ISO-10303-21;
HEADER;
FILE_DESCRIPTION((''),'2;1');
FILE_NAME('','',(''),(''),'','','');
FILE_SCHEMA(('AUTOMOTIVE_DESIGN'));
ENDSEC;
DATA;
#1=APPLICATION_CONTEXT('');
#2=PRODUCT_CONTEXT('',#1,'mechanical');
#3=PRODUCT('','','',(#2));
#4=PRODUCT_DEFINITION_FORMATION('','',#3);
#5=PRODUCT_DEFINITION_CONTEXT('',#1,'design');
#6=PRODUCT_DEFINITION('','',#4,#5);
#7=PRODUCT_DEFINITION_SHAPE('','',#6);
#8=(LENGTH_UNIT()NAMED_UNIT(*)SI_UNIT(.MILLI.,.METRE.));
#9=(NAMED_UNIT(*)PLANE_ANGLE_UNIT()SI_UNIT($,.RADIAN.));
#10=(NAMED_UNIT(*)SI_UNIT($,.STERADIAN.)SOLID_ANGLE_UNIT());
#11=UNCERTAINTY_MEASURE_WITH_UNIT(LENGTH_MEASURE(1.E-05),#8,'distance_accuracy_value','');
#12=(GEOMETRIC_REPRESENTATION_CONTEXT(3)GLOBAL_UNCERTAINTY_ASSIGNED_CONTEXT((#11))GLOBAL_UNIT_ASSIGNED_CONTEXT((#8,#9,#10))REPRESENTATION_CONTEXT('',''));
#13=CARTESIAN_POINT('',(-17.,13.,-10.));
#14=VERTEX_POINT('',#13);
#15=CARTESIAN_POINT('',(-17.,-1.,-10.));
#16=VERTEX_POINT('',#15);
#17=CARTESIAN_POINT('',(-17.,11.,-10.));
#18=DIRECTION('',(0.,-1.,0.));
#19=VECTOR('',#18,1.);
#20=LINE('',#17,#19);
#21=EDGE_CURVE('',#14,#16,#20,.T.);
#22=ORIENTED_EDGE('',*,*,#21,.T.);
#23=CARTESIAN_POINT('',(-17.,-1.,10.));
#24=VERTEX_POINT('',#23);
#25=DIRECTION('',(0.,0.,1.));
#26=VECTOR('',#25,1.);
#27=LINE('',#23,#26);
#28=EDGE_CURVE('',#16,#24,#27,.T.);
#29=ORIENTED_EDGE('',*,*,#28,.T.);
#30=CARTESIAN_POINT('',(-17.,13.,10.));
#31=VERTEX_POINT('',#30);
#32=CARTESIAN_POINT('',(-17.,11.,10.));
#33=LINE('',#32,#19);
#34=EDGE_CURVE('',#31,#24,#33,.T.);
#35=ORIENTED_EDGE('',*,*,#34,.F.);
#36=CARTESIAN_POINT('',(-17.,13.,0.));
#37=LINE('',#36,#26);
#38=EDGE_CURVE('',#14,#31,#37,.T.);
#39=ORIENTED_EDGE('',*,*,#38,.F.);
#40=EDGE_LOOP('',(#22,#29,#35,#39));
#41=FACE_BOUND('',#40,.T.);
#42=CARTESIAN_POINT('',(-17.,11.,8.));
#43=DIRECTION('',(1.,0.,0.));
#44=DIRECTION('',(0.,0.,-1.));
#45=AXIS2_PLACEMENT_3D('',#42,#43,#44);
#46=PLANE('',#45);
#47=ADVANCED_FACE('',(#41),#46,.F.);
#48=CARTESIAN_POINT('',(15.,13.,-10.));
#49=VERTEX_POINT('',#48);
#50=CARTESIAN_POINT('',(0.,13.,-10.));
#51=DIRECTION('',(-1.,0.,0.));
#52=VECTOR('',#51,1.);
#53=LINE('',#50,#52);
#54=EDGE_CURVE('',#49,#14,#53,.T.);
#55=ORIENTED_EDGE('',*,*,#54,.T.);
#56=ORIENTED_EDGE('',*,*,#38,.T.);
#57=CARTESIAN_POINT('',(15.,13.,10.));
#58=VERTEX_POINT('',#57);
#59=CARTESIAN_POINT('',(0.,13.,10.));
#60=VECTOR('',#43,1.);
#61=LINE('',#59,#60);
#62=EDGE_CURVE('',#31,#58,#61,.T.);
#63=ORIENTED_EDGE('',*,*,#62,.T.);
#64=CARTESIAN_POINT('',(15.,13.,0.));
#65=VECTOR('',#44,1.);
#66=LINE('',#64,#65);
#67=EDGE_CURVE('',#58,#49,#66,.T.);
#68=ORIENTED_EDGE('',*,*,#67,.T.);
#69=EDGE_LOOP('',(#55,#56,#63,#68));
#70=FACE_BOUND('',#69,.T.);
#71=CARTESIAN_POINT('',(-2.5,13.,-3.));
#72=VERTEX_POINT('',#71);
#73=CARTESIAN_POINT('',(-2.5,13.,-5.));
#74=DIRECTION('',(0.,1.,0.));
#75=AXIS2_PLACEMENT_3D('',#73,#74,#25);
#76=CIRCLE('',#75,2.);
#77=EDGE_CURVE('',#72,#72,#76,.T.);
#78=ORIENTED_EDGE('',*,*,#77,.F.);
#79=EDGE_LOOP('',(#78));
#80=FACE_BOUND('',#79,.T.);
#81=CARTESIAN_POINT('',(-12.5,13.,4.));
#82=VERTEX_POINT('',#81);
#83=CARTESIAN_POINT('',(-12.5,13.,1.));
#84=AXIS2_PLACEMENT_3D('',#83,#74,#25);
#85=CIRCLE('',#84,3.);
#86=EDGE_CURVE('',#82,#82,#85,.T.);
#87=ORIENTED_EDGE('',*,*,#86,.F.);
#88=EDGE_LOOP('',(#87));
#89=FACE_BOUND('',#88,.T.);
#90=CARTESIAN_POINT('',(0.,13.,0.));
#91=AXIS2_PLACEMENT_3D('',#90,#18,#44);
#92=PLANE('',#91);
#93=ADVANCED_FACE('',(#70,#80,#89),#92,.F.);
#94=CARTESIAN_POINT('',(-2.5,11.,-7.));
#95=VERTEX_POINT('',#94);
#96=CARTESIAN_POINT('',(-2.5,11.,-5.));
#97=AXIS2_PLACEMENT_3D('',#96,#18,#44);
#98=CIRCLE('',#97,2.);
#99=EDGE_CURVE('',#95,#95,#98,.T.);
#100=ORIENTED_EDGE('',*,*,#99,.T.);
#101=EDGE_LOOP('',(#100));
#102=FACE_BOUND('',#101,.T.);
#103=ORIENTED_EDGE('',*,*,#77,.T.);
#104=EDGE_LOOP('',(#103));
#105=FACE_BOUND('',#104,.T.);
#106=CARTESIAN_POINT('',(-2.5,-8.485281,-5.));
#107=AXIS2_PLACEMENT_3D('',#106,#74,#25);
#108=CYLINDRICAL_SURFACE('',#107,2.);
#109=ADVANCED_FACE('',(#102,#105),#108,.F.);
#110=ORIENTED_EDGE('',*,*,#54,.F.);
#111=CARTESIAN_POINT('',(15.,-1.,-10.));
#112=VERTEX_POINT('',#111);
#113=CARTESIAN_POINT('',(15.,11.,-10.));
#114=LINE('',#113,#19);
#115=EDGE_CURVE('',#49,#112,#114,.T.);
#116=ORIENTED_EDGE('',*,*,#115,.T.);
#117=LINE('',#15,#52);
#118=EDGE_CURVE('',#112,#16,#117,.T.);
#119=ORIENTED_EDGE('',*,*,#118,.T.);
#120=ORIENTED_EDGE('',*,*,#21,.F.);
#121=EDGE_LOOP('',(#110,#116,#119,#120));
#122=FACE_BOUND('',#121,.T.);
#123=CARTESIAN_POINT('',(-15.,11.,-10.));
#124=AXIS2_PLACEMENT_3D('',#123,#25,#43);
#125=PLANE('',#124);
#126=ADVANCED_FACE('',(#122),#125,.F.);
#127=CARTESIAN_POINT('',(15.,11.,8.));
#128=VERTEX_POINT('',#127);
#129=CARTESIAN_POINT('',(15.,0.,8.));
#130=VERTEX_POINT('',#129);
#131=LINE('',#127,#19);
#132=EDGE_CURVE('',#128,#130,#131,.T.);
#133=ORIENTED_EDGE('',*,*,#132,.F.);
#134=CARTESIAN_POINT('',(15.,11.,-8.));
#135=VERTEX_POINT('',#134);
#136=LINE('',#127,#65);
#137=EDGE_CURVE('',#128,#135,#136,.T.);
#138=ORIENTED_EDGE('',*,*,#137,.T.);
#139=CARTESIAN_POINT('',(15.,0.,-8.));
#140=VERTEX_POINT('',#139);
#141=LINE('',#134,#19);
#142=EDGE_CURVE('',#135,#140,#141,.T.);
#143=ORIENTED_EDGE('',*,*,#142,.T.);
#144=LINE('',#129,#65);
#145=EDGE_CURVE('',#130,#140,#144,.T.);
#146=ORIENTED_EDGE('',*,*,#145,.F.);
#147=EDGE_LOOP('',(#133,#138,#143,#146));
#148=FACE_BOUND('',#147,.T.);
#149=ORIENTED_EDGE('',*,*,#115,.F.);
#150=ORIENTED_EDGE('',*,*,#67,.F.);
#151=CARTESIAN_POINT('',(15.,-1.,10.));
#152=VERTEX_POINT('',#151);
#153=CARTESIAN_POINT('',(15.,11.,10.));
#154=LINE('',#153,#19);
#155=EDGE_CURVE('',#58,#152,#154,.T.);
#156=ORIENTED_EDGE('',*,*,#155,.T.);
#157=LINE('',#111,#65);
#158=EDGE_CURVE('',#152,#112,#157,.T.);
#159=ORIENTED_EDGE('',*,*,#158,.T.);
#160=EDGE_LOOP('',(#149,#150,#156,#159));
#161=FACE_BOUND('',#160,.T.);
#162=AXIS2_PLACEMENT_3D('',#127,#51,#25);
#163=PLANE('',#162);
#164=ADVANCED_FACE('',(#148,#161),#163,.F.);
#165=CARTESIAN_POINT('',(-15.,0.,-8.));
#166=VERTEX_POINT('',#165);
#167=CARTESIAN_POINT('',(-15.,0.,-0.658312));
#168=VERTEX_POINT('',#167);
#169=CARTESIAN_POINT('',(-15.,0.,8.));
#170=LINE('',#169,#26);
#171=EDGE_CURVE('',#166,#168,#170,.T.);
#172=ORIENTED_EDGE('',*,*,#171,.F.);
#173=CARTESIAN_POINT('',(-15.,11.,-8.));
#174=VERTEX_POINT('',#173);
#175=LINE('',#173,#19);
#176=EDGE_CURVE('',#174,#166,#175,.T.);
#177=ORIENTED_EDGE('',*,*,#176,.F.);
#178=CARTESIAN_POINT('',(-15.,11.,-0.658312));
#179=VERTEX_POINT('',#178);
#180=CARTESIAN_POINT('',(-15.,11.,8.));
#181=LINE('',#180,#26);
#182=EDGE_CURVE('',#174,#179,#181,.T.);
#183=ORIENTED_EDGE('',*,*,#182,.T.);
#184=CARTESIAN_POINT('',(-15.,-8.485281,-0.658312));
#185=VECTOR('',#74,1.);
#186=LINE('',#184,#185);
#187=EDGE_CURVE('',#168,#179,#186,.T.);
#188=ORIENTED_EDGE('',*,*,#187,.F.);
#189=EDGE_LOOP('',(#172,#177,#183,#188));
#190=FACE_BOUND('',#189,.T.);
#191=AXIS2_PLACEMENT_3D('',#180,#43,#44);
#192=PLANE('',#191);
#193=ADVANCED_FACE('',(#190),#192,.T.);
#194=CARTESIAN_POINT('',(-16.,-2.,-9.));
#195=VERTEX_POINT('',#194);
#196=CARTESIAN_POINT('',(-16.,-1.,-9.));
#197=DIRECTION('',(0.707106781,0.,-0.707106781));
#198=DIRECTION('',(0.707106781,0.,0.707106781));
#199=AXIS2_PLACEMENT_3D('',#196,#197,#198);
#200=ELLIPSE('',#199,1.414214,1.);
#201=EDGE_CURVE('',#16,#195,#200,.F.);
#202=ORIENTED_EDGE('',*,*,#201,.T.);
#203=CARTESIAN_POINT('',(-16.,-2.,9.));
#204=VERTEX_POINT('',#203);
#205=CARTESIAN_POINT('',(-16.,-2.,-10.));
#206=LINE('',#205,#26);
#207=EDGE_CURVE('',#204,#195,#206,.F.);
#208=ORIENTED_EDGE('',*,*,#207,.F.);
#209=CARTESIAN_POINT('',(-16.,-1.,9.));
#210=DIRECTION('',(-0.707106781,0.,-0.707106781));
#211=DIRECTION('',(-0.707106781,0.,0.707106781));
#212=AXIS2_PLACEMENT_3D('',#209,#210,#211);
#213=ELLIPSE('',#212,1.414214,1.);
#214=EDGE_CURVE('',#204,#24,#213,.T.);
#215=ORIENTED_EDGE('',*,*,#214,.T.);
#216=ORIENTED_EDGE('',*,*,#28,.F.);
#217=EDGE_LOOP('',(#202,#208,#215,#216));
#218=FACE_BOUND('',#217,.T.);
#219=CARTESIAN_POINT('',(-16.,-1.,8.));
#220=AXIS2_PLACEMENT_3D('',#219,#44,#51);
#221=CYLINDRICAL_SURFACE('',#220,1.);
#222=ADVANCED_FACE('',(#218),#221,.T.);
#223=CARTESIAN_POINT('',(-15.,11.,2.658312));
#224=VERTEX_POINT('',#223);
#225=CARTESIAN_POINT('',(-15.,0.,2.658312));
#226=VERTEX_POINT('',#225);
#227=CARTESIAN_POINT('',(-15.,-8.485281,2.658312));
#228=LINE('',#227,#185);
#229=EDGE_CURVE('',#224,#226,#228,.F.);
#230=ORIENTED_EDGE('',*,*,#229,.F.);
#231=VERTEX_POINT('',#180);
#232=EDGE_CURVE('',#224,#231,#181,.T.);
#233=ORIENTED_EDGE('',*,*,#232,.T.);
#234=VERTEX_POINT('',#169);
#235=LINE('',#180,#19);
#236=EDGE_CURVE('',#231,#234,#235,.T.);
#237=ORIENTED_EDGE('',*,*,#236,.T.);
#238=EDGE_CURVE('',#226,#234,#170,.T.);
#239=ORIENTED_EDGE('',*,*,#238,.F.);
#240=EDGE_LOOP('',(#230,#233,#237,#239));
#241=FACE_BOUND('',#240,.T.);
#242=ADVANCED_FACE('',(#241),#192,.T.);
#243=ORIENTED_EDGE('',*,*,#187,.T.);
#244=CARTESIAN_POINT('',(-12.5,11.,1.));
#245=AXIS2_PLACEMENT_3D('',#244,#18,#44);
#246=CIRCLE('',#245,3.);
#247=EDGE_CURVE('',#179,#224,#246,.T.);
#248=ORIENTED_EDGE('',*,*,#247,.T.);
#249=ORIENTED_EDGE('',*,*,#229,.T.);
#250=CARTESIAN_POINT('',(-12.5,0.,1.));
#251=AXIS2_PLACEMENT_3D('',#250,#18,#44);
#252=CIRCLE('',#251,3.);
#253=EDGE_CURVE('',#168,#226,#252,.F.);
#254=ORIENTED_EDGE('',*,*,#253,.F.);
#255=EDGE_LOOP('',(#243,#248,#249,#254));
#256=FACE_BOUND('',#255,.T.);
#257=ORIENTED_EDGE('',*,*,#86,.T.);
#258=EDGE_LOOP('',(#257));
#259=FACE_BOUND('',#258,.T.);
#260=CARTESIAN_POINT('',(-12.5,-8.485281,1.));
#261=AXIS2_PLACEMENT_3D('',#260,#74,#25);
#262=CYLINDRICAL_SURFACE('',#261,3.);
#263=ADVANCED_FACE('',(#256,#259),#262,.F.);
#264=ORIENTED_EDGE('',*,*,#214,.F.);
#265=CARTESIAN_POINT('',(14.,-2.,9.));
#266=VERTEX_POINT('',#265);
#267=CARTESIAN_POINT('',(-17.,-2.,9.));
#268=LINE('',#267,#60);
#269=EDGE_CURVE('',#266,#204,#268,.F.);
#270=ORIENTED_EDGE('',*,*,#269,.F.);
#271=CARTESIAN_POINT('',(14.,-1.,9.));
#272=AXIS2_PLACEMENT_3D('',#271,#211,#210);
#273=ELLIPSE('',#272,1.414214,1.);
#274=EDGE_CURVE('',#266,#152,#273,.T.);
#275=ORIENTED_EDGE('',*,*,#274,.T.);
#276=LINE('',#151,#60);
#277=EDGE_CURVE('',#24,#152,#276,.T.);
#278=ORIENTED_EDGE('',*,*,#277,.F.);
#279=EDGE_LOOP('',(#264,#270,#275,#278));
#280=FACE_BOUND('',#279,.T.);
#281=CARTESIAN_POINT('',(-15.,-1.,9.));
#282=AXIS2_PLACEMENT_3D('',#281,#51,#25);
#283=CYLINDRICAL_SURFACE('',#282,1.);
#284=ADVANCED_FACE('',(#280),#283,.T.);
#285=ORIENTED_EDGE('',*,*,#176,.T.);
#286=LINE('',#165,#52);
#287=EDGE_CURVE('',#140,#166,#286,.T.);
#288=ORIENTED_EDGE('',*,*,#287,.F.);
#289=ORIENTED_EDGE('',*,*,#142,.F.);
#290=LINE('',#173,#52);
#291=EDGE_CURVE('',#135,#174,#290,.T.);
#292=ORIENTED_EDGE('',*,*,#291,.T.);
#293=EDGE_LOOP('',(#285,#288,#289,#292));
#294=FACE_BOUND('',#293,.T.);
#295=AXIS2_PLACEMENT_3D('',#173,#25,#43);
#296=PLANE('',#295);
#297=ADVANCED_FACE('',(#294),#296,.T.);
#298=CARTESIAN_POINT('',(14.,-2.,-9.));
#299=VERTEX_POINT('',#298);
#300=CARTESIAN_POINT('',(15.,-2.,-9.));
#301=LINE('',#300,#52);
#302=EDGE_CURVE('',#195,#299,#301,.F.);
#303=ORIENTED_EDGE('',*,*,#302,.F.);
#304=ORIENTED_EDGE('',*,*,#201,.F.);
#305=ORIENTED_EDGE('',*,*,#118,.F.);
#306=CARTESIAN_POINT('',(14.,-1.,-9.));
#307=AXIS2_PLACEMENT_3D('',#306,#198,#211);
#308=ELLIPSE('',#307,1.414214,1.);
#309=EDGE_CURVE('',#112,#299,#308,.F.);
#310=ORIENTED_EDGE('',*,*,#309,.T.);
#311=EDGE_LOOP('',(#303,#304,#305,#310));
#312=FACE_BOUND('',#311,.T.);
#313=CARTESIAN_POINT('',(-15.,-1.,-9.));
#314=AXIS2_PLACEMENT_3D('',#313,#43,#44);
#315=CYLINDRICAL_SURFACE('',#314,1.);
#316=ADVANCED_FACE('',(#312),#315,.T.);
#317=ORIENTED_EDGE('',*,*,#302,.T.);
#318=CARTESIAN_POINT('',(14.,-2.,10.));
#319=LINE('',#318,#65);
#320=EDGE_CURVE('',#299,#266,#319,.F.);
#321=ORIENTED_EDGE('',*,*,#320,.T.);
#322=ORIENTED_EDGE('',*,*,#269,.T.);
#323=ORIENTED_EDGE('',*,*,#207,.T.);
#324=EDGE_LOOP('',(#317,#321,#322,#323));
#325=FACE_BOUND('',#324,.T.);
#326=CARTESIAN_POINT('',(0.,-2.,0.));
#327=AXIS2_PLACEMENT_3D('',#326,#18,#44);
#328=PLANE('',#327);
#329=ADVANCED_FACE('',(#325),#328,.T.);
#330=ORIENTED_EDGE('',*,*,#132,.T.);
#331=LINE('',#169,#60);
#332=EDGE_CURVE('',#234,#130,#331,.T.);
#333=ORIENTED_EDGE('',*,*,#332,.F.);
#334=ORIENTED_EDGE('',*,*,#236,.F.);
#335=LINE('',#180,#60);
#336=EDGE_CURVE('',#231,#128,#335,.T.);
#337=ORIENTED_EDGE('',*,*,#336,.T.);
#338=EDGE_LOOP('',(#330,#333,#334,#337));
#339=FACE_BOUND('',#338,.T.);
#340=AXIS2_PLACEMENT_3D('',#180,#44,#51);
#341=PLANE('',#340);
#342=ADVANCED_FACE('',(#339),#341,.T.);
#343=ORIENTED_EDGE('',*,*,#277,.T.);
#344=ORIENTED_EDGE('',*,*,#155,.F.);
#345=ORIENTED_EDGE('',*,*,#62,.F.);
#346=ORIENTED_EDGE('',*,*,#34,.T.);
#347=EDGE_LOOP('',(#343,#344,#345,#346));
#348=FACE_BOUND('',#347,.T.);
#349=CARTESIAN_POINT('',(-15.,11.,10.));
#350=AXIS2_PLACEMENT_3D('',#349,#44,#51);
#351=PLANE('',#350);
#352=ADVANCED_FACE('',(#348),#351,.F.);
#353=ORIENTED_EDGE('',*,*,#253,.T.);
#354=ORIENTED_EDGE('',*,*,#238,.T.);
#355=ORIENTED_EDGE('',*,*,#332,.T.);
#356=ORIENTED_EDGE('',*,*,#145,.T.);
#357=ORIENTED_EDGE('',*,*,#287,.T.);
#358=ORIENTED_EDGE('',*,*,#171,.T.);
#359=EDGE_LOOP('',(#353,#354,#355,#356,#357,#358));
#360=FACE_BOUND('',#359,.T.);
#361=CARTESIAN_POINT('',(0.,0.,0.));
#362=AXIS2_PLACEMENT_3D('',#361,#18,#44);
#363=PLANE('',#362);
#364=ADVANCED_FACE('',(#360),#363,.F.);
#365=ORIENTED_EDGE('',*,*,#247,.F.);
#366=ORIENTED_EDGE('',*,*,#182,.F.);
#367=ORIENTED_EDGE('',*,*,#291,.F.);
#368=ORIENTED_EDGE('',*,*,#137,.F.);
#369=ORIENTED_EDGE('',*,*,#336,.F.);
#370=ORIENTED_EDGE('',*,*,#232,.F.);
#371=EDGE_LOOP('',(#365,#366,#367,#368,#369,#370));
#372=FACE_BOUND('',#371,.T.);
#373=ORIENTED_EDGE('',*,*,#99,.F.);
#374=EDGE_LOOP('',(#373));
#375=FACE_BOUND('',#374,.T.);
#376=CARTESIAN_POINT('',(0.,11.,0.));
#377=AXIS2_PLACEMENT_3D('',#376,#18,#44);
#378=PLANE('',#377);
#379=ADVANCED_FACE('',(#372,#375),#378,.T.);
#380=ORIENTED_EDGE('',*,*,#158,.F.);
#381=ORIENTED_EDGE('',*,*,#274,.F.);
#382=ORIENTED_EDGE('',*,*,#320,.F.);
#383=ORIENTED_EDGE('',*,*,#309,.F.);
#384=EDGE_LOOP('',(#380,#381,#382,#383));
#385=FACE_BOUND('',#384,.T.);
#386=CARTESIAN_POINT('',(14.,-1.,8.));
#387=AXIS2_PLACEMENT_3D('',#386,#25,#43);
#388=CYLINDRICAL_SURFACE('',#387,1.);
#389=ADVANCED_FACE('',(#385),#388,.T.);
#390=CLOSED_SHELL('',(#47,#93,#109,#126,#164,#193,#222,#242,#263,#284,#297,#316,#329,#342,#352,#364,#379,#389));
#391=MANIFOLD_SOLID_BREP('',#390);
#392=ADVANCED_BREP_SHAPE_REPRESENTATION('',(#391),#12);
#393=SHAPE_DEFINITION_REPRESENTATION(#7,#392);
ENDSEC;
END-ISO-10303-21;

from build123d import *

# Parameters (mm, degrees)
SKETCH1_W           = 30
SKETCH1_H           = 16
BOSS_EXTRUDE1_DEPTH = 11
SHELL1_T            = 2
CUT_EXTRUDE3_REACH  = 26.779
SKETCH4_R           = 3
SKETCH4_R_2         = 2
FILLET1_R           = 1


with BuildPart() as part:
    # Sketch1 → Boss-Extrude1 (new body)
    with BuildSketch(Plane(origin=(0, 0, 0), x_dir=(1, 0, 0), z_dir=(0, 1, 0))):
        Rectangle(SKETCH1_W, SKETCH1_H)
    extrude(amount=BOSS_EXTRUDE1_DEPTH)

    # Shell1
    shell1_openings = [part.faces().sort_by_distance(p)[0] for p in [
        (15, 5.5, 0),
    ]]
    offset(amount=SHELL1_T, openings=shell1_openings, kind=Kind.INTERSECTION)

    # Cut-Extrude3: up to this face of the body (flat: up to its plane)
    cut_extrude3_end = Plane(part.part.faces().sort_by_distance((0, 0, 0))[0])
    # Sketch4 → Cut-Extrude3 (cut, up to the picked face)
    with BuildSketch(Plane(origin=(0, 13, 0), x_dir=(1, 0, 0), z_dir=(0, 1, 0)), mode=Mode.PRIVATE) as cut_extrude3_sk1:
        with Locations(Location((-12.5, -1, 0), (0, 0, 270))):
            Circle(SKETCH4_R)
    cut_extrude3_tool1 = split(extrude(cut_extrude3_sk1.sketch, amount=-CUT_EXTRUDE3_REACH, mode=Mode.PRIVATE), bisect_by=cut_extrude3_end, keep=Keep.BOTH, mode=Mode.PRIVATE)
    # Sketch4 → Cut-Extrude3 (cut, up to the picked face)
    with BuildSketch(Plane(origin=(0, 13, 0), x_dir=(1, 0, 0), z_dir=(0, 1, 0)), mode=Mode.PRIVATE) as cut_extrude3_sk2:
        with Locations(Location((-2.5, 5, 0), (0, 0, 270))):
            Circle(SKETCH4_R_2)
    cut_extrude3_tool2 = split(extrude(cut_extrude3_sk2.sketch, amount=-CUT_EXTRUDE3_REACH, mode=Mode.PRIVATE), bisect_by=cut_extrude3_end, keep=Keep.BOTH, mode=Mode.PRIVATE)
    add(cut_extrude3_tool1.solids().sort_by(Axis((-12.5, 13, 1), (0, -1, 0)))[0], mode=Mode.SUBTRACT)
    add(cut_extrude3_tool2.solids().sort_by(Axis((-2.5, 13, -5), (0, -1, 0)))[0], mode=Mode.SUBTRACT)

    # Fillet1
    fillet1_edges = [part.edges().sort_by_distance(p)[0] for p in [
        (-1, -2, 10),
        (-17, -2, 0),
        (-1, -2, -10),
        (15, -2, 0),
    ]]
    fillet(fillet1_edges, radius=FILLET1_R)


solid = part.part
